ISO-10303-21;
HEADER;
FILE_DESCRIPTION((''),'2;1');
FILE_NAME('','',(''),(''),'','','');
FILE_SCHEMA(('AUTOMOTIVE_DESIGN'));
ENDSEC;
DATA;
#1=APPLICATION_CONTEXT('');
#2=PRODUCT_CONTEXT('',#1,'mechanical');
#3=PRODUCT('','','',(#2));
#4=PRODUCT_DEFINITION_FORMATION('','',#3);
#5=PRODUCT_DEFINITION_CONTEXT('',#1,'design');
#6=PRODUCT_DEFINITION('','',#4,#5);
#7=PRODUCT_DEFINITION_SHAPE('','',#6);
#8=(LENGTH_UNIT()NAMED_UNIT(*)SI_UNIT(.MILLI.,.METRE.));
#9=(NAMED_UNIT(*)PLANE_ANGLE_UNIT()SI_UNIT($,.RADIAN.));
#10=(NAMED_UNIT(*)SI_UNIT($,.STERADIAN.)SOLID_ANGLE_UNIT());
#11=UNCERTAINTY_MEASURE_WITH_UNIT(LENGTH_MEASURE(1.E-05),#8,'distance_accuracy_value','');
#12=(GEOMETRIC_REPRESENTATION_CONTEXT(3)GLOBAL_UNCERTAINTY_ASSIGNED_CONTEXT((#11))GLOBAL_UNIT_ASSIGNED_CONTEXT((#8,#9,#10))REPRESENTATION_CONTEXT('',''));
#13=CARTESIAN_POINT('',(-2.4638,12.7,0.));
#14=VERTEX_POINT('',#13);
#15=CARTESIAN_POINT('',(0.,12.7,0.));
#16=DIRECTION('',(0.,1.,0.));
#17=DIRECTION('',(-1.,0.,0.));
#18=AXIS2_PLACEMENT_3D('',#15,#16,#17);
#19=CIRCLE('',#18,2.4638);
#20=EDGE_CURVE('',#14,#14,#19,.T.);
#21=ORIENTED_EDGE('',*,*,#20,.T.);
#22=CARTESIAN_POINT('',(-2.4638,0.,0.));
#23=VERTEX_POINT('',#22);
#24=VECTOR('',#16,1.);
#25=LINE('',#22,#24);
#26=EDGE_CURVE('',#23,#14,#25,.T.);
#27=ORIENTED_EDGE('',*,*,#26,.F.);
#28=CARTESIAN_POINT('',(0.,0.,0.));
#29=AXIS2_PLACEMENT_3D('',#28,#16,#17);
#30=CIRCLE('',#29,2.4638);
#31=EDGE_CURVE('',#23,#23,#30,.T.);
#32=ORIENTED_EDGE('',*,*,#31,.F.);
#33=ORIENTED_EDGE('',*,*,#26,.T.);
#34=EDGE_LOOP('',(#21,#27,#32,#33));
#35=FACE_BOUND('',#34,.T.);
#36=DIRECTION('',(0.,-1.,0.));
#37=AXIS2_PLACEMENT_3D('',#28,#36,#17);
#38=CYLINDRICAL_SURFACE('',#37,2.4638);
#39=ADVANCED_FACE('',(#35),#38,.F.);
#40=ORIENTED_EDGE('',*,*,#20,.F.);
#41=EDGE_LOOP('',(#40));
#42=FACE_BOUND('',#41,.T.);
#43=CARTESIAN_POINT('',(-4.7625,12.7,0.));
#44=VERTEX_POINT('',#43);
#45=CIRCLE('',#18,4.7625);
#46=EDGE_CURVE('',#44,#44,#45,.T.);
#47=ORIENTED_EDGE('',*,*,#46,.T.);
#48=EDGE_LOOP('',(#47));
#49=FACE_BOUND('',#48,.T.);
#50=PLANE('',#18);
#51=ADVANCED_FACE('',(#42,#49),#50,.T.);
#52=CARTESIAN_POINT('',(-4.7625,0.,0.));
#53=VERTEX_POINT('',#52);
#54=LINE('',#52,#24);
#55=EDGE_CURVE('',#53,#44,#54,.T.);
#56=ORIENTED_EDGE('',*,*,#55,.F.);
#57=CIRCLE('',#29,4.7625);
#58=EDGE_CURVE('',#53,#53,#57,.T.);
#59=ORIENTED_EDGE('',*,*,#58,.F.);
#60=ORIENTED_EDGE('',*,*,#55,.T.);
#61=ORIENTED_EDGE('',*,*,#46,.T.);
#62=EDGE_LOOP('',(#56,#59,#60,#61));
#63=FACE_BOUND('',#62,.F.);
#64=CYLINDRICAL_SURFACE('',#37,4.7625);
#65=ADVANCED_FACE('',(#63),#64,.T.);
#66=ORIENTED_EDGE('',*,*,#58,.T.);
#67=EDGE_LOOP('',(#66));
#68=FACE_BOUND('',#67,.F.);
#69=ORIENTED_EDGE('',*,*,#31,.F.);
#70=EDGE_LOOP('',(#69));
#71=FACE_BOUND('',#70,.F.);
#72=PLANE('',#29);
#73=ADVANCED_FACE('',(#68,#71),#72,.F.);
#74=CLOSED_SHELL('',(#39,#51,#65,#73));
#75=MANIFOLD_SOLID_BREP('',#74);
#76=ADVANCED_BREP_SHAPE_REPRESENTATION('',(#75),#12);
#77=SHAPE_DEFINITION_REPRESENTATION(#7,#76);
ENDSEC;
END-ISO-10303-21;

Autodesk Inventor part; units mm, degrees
ref_plane "YZ Plane" through (0, 0, 0) normal (1, 0, 0) x (0, 1, 0)
ref_plane "XZ Plane" through (0, 0, 0) normal (0, 1, 0) x (-1, 0, 0)
ref_plane "XY Plane" through (0, 0, 0) normal (0, 0, 1) x (1, 0, 0)
sketch "Sketch1" plane through (0, 0, 0) normal (0, 1, 0) x (-1, 0, 0)
  circle A0 centre (0, 0) radius 2.4638
  circle A1 centre (0, 0) radius 4.7625
  dimension "d0" = 4.9276
  dimension "d1" = 9.525
extrude "Extrusion1" add sketch "Sketch1" along normal blind 12.7
properties part number ".5 in Grey Spacer" material "Nylon 6"
